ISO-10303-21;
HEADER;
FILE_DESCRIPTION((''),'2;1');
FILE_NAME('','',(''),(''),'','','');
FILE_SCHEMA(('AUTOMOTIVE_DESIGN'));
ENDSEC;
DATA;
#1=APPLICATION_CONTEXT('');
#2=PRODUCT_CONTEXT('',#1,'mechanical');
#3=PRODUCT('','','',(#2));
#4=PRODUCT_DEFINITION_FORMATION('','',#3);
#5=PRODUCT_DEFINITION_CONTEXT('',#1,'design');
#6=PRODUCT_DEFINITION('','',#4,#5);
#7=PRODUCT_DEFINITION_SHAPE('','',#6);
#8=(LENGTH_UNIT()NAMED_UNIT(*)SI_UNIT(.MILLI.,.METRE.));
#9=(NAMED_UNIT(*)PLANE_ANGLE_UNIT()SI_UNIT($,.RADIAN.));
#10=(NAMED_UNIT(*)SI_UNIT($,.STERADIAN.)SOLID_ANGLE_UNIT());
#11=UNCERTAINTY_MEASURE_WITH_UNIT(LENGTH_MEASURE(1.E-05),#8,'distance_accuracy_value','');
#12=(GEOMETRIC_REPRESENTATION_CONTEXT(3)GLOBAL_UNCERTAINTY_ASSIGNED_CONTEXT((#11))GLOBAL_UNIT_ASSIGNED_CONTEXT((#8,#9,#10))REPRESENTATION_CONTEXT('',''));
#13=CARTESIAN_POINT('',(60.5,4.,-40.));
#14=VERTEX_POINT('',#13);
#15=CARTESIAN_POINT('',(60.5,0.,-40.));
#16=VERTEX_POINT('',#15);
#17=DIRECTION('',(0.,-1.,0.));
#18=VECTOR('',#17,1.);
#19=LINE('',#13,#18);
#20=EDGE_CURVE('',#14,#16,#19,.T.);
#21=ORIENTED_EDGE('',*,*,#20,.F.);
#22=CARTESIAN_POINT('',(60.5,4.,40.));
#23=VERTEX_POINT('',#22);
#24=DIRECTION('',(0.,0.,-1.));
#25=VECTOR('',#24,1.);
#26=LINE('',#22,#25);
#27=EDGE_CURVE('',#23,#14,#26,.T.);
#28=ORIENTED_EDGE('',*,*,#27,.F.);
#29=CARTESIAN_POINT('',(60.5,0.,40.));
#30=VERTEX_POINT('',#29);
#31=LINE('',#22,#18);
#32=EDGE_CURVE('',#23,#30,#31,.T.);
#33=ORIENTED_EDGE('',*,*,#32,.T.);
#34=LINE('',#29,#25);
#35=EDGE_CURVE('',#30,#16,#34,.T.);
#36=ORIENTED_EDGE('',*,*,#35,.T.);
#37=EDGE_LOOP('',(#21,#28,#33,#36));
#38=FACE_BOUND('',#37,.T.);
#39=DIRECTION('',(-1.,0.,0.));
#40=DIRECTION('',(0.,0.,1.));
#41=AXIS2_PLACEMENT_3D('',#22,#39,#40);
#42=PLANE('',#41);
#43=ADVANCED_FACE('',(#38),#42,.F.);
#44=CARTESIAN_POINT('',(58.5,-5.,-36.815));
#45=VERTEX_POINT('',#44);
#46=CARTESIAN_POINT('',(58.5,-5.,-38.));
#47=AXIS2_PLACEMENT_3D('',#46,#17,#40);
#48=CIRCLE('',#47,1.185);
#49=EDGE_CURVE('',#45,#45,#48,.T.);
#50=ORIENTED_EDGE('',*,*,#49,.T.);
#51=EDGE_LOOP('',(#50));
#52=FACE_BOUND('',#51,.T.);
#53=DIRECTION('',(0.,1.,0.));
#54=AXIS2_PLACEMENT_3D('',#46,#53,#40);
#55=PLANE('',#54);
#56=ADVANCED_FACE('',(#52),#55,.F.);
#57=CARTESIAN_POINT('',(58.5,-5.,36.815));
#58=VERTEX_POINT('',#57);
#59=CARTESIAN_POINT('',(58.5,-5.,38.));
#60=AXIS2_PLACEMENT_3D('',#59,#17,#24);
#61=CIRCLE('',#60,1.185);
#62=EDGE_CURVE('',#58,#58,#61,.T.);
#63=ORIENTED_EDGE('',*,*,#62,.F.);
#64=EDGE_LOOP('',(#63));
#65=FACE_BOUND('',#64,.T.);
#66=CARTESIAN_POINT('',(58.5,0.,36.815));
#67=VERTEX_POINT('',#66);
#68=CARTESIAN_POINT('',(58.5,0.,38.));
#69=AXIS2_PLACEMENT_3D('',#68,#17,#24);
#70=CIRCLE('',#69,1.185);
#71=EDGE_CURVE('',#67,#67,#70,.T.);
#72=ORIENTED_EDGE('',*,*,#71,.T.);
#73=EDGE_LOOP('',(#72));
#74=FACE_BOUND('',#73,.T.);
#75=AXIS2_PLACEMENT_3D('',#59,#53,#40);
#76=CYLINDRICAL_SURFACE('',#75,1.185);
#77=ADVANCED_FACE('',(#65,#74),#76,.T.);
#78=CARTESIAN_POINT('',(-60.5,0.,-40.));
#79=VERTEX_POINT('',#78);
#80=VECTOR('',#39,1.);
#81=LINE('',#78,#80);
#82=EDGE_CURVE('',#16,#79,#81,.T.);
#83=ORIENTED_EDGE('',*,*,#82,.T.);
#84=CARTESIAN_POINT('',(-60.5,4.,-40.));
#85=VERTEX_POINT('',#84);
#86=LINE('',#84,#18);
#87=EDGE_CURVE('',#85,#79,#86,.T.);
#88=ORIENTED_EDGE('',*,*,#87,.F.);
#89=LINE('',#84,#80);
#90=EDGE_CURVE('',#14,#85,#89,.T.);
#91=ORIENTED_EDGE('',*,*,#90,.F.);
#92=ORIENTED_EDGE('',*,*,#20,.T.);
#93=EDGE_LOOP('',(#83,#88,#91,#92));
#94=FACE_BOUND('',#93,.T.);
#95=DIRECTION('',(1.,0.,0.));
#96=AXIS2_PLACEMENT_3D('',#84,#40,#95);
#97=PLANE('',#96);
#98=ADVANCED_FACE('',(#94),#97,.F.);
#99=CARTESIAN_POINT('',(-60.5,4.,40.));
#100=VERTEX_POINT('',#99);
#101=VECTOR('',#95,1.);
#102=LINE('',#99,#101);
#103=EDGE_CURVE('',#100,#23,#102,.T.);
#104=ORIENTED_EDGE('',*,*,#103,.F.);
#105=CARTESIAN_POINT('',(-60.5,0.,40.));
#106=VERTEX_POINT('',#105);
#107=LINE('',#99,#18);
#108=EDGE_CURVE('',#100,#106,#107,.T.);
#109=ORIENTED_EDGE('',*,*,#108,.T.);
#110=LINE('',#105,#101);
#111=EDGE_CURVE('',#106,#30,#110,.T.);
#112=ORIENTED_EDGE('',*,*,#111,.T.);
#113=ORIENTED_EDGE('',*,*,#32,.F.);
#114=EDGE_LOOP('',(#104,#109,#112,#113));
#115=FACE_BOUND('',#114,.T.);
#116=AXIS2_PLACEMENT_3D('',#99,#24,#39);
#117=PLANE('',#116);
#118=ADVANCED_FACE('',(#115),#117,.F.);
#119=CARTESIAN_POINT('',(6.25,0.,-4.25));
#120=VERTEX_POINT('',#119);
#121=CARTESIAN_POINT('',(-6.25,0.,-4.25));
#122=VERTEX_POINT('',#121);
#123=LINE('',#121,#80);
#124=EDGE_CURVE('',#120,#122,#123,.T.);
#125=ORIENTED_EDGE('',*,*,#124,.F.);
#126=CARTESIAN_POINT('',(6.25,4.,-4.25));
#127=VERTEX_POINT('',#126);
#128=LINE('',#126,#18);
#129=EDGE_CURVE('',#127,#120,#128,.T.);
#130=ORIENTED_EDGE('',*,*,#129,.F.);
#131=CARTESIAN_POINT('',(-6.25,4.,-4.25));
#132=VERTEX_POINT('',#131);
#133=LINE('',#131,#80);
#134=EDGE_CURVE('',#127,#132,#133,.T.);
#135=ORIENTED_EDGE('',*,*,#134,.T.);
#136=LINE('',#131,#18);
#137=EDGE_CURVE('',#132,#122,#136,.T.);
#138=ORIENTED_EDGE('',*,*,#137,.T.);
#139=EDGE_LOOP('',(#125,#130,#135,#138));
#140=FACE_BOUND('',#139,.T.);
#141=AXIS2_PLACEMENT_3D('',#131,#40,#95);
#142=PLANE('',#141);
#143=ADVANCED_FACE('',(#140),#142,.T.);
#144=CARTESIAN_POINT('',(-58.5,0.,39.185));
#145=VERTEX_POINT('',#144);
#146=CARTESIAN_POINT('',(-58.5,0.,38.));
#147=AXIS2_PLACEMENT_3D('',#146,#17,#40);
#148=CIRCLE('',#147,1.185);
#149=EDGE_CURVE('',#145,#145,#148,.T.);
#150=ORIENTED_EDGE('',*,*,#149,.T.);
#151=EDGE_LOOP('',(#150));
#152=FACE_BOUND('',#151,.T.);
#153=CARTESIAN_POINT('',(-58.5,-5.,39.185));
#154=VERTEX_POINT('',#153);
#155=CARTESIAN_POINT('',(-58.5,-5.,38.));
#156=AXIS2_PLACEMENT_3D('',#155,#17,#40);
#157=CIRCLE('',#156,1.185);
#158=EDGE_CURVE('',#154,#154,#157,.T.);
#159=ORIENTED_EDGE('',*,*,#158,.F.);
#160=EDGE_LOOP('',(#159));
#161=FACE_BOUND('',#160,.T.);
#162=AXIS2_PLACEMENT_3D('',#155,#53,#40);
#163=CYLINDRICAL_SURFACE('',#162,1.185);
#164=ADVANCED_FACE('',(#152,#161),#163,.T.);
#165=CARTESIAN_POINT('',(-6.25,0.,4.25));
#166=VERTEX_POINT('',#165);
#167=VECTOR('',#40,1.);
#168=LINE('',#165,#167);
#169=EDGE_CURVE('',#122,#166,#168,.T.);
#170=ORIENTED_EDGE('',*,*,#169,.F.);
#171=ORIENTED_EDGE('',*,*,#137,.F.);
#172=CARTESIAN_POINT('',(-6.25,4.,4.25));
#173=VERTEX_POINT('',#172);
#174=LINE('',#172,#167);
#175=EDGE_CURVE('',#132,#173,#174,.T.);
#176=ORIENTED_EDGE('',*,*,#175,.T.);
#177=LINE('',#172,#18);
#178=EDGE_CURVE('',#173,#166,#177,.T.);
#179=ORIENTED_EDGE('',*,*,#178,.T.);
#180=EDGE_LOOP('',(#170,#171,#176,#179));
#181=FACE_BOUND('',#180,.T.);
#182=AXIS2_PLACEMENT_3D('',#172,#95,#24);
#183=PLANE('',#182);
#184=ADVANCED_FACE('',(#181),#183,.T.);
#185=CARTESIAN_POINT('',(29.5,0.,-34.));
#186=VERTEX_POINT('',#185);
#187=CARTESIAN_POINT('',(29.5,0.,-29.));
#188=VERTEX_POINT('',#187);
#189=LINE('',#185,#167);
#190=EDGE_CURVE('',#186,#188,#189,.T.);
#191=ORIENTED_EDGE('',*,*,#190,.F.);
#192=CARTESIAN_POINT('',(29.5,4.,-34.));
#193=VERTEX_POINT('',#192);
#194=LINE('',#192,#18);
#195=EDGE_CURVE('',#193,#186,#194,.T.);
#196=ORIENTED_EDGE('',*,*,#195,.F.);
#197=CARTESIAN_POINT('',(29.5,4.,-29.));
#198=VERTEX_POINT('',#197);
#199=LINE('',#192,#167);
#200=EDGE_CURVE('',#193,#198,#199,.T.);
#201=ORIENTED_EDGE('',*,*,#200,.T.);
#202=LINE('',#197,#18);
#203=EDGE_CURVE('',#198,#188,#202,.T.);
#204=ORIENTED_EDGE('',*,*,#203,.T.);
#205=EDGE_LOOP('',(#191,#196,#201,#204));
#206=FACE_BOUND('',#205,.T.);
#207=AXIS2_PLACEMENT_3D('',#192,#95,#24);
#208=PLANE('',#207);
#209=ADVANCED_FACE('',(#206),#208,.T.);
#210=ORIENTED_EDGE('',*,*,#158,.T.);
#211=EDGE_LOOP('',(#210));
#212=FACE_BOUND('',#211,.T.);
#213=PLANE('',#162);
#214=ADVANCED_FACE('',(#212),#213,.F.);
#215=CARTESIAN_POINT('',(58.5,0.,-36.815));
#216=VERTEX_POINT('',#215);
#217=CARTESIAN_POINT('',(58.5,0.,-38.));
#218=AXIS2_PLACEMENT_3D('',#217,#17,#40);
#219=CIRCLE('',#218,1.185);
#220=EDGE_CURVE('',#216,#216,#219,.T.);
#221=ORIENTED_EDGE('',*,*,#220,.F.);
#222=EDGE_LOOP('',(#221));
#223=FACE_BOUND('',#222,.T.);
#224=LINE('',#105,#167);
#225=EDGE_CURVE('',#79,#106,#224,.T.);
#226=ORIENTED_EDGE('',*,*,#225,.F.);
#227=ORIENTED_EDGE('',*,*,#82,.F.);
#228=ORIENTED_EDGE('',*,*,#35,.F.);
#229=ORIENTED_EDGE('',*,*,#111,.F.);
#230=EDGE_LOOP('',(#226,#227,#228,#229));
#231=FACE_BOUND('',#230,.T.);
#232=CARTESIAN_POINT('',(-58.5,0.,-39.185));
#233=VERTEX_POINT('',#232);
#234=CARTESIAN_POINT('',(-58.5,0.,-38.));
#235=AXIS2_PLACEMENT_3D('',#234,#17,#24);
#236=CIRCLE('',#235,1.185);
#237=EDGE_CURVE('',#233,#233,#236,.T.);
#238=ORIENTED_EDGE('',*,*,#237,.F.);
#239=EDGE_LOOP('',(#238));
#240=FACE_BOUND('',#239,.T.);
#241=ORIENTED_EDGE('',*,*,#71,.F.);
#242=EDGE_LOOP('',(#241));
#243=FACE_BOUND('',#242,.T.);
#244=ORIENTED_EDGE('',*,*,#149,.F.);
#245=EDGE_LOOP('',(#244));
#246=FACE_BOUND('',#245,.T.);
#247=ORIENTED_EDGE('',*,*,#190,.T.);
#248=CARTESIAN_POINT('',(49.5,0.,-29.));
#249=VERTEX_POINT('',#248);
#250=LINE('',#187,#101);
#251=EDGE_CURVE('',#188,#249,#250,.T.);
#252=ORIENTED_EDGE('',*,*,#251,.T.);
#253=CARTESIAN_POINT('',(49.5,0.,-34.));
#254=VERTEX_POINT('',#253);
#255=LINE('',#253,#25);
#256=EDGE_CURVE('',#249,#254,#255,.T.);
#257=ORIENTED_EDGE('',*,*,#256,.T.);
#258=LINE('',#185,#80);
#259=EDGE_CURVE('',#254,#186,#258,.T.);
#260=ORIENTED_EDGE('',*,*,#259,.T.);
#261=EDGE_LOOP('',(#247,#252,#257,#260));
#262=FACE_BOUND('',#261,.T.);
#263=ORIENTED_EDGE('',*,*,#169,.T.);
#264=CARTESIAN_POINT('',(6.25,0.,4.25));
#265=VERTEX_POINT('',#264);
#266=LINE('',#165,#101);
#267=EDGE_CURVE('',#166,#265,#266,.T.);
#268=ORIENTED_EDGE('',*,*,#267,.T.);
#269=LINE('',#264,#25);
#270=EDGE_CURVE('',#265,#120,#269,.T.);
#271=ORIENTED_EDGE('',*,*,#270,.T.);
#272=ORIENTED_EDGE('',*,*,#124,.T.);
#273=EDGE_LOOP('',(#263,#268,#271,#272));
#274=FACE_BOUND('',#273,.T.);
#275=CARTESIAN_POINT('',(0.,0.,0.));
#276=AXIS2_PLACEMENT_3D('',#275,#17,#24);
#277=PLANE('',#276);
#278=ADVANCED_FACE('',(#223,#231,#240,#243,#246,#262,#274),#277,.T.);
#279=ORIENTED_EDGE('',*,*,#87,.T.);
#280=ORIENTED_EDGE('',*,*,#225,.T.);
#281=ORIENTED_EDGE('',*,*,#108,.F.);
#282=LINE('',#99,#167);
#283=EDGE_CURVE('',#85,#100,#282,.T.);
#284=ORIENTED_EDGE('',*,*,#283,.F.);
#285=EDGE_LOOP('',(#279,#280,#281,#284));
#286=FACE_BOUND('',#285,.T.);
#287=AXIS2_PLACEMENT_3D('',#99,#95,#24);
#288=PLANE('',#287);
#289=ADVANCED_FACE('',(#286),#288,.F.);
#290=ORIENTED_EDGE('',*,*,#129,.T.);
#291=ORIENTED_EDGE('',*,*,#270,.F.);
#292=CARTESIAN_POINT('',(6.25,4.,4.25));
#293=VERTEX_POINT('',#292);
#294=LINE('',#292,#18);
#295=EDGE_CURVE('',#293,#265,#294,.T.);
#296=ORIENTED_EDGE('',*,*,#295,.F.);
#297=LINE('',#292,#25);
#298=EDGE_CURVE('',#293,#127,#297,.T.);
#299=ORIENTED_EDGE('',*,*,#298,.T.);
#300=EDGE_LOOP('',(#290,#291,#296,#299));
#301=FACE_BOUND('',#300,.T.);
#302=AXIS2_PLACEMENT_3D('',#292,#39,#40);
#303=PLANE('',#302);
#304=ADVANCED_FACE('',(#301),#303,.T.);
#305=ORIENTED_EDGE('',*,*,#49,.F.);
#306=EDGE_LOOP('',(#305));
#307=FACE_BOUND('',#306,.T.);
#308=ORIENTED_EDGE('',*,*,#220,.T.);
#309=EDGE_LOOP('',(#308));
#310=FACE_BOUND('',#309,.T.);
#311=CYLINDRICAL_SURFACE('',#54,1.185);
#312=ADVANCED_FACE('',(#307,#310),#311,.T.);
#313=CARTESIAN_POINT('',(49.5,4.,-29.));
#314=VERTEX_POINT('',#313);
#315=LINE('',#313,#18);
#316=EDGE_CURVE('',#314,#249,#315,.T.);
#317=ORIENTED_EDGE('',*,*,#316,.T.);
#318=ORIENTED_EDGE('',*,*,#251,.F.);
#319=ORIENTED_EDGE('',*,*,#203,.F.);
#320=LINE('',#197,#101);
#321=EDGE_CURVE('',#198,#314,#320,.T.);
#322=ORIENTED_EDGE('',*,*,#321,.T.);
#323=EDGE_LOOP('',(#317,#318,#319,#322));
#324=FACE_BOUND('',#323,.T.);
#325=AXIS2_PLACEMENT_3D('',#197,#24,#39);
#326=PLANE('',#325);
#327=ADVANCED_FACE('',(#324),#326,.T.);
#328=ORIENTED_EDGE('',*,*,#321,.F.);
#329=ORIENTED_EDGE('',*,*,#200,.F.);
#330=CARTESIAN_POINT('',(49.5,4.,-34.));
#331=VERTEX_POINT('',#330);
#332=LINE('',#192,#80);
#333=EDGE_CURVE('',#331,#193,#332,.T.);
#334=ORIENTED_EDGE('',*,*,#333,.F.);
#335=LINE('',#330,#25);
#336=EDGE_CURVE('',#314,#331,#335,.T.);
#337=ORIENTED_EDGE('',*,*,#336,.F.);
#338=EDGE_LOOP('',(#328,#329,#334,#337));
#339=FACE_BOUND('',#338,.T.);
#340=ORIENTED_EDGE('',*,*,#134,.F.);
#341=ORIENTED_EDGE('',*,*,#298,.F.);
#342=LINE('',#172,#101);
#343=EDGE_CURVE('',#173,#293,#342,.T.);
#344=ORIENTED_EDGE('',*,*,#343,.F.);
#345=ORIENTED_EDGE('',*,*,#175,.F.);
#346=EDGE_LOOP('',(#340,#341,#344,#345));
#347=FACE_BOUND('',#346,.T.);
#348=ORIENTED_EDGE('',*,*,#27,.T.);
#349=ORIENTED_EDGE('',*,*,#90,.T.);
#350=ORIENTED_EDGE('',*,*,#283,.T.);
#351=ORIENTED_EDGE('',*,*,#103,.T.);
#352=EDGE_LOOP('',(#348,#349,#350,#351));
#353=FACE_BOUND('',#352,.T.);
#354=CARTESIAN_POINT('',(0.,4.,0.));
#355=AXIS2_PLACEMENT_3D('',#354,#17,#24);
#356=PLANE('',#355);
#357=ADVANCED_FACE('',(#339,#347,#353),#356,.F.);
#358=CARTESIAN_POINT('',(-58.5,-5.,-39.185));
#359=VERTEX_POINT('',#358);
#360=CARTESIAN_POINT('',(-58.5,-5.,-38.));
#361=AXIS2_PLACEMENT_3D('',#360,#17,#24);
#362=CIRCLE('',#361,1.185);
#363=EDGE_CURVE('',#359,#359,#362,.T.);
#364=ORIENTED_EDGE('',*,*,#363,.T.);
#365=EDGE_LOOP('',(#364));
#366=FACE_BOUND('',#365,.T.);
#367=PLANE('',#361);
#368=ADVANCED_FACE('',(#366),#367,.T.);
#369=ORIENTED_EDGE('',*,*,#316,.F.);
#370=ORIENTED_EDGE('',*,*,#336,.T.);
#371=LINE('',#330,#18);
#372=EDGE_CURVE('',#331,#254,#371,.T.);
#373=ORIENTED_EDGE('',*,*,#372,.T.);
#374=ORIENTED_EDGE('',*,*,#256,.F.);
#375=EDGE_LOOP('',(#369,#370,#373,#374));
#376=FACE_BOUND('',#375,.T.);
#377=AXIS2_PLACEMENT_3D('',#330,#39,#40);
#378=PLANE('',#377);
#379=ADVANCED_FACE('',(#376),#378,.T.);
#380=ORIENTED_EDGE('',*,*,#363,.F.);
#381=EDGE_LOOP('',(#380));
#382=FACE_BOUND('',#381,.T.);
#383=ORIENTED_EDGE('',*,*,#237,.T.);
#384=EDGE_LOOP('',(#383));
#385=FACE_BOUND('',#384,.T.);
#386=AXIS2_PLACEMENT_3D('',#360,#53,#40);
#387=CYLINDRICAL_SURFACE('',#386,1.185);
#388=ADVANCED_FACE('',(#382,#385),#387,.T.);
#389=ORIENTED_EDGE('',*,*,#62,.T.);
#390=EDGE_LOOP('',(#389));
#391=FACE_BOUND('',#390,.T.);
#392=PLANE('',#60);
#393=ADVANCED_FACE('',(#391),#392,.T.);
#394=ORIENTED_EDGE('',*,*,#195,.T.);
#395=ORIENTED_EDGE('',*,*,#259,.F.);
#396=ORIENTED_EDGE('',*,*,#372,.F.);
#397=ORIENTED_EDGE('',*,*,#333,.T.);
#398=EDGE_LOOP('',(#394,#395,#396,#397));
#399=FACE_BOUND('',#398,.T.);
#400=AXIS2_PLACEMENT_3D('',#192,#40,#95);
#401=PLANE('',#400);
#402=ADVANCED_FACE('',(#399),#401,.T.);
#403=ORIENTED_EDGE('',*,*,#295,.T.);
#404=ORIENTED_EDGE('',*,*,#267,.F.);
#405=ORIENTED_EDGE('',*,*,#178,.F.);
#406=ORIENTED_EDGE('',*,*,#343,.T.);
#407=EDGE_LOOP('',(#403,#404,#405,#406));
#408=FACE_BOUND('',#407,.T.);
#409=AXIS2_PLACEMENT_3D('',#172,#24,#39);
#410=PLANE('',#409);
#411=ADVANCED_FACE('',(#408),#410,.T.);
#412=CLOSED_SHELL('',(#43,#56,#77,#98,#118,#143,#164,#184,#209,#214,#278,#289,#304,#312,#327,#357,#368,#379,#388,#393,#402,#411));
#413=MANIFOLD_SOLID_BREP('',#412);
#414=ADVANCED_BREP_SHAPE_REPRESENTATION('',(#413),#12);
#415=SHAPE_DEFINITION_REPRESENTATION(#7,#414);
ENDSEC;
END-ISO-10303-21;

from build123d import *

# Parameters (mm, degrees)
SKETCH1_W           = 121
SKETCH1_H           = 80
SKETCH1_W_2         = 20
SKETCH1_H_2         = 5
SKETCH1_W_3         = 12.5
SKETCH1_H_3         = 8.5
BOSS_EXTRUDE1_DEPTH = 4
SKETCH4_R           = 1.185
BOSS_EXTRUDE2_DEPTH = 5


with BuildPart() as part:
    # Sketch1 → Boss-Extrude1 (new body)
    with BuildSketch(Plane(origin=(0, 0, 0), x_dir=(1, 0, 0), z_dir=(0, 1, 0))):
        Rectangle(SKETCH1_W, SKETCH1_H)
        with Locations((39.5, 31.5)):
            Rectangle(SKETCH1_W_2, SKETCH1_H_2, mode=Mode.SUBTRACT)
        Rectangle(SKETCH1_W_3, SKETCH1_H_3, mode=Mode.SUBTRACT)
    extrude(amount=BOSS_EXTRUDE1_DEPTH)

    # Sketch4 → Boss-Extrude2 (add)
    with BuildSketch(Plane.XZ):
        with Locations(Location((-58.5, -38, 0), (0, 0, 270))):
            Circle(SKETCH4_R)
        with Locations(Location((-58.5, 38, 0), (0, 0, 90))):
            Circle(SKETCH4_R)
        with Locations(Location((58.5, -38, 0), (0, 0, 90))):
            Circle(SKETCH4_R)
        with Locations(Location((58.5, 38, 0), (0, 0, 270))):
            Circle(SKETCH4_R)
    extrude(amount=BOSS_EXTRUDE2_DEPTH)


solid = part.part
